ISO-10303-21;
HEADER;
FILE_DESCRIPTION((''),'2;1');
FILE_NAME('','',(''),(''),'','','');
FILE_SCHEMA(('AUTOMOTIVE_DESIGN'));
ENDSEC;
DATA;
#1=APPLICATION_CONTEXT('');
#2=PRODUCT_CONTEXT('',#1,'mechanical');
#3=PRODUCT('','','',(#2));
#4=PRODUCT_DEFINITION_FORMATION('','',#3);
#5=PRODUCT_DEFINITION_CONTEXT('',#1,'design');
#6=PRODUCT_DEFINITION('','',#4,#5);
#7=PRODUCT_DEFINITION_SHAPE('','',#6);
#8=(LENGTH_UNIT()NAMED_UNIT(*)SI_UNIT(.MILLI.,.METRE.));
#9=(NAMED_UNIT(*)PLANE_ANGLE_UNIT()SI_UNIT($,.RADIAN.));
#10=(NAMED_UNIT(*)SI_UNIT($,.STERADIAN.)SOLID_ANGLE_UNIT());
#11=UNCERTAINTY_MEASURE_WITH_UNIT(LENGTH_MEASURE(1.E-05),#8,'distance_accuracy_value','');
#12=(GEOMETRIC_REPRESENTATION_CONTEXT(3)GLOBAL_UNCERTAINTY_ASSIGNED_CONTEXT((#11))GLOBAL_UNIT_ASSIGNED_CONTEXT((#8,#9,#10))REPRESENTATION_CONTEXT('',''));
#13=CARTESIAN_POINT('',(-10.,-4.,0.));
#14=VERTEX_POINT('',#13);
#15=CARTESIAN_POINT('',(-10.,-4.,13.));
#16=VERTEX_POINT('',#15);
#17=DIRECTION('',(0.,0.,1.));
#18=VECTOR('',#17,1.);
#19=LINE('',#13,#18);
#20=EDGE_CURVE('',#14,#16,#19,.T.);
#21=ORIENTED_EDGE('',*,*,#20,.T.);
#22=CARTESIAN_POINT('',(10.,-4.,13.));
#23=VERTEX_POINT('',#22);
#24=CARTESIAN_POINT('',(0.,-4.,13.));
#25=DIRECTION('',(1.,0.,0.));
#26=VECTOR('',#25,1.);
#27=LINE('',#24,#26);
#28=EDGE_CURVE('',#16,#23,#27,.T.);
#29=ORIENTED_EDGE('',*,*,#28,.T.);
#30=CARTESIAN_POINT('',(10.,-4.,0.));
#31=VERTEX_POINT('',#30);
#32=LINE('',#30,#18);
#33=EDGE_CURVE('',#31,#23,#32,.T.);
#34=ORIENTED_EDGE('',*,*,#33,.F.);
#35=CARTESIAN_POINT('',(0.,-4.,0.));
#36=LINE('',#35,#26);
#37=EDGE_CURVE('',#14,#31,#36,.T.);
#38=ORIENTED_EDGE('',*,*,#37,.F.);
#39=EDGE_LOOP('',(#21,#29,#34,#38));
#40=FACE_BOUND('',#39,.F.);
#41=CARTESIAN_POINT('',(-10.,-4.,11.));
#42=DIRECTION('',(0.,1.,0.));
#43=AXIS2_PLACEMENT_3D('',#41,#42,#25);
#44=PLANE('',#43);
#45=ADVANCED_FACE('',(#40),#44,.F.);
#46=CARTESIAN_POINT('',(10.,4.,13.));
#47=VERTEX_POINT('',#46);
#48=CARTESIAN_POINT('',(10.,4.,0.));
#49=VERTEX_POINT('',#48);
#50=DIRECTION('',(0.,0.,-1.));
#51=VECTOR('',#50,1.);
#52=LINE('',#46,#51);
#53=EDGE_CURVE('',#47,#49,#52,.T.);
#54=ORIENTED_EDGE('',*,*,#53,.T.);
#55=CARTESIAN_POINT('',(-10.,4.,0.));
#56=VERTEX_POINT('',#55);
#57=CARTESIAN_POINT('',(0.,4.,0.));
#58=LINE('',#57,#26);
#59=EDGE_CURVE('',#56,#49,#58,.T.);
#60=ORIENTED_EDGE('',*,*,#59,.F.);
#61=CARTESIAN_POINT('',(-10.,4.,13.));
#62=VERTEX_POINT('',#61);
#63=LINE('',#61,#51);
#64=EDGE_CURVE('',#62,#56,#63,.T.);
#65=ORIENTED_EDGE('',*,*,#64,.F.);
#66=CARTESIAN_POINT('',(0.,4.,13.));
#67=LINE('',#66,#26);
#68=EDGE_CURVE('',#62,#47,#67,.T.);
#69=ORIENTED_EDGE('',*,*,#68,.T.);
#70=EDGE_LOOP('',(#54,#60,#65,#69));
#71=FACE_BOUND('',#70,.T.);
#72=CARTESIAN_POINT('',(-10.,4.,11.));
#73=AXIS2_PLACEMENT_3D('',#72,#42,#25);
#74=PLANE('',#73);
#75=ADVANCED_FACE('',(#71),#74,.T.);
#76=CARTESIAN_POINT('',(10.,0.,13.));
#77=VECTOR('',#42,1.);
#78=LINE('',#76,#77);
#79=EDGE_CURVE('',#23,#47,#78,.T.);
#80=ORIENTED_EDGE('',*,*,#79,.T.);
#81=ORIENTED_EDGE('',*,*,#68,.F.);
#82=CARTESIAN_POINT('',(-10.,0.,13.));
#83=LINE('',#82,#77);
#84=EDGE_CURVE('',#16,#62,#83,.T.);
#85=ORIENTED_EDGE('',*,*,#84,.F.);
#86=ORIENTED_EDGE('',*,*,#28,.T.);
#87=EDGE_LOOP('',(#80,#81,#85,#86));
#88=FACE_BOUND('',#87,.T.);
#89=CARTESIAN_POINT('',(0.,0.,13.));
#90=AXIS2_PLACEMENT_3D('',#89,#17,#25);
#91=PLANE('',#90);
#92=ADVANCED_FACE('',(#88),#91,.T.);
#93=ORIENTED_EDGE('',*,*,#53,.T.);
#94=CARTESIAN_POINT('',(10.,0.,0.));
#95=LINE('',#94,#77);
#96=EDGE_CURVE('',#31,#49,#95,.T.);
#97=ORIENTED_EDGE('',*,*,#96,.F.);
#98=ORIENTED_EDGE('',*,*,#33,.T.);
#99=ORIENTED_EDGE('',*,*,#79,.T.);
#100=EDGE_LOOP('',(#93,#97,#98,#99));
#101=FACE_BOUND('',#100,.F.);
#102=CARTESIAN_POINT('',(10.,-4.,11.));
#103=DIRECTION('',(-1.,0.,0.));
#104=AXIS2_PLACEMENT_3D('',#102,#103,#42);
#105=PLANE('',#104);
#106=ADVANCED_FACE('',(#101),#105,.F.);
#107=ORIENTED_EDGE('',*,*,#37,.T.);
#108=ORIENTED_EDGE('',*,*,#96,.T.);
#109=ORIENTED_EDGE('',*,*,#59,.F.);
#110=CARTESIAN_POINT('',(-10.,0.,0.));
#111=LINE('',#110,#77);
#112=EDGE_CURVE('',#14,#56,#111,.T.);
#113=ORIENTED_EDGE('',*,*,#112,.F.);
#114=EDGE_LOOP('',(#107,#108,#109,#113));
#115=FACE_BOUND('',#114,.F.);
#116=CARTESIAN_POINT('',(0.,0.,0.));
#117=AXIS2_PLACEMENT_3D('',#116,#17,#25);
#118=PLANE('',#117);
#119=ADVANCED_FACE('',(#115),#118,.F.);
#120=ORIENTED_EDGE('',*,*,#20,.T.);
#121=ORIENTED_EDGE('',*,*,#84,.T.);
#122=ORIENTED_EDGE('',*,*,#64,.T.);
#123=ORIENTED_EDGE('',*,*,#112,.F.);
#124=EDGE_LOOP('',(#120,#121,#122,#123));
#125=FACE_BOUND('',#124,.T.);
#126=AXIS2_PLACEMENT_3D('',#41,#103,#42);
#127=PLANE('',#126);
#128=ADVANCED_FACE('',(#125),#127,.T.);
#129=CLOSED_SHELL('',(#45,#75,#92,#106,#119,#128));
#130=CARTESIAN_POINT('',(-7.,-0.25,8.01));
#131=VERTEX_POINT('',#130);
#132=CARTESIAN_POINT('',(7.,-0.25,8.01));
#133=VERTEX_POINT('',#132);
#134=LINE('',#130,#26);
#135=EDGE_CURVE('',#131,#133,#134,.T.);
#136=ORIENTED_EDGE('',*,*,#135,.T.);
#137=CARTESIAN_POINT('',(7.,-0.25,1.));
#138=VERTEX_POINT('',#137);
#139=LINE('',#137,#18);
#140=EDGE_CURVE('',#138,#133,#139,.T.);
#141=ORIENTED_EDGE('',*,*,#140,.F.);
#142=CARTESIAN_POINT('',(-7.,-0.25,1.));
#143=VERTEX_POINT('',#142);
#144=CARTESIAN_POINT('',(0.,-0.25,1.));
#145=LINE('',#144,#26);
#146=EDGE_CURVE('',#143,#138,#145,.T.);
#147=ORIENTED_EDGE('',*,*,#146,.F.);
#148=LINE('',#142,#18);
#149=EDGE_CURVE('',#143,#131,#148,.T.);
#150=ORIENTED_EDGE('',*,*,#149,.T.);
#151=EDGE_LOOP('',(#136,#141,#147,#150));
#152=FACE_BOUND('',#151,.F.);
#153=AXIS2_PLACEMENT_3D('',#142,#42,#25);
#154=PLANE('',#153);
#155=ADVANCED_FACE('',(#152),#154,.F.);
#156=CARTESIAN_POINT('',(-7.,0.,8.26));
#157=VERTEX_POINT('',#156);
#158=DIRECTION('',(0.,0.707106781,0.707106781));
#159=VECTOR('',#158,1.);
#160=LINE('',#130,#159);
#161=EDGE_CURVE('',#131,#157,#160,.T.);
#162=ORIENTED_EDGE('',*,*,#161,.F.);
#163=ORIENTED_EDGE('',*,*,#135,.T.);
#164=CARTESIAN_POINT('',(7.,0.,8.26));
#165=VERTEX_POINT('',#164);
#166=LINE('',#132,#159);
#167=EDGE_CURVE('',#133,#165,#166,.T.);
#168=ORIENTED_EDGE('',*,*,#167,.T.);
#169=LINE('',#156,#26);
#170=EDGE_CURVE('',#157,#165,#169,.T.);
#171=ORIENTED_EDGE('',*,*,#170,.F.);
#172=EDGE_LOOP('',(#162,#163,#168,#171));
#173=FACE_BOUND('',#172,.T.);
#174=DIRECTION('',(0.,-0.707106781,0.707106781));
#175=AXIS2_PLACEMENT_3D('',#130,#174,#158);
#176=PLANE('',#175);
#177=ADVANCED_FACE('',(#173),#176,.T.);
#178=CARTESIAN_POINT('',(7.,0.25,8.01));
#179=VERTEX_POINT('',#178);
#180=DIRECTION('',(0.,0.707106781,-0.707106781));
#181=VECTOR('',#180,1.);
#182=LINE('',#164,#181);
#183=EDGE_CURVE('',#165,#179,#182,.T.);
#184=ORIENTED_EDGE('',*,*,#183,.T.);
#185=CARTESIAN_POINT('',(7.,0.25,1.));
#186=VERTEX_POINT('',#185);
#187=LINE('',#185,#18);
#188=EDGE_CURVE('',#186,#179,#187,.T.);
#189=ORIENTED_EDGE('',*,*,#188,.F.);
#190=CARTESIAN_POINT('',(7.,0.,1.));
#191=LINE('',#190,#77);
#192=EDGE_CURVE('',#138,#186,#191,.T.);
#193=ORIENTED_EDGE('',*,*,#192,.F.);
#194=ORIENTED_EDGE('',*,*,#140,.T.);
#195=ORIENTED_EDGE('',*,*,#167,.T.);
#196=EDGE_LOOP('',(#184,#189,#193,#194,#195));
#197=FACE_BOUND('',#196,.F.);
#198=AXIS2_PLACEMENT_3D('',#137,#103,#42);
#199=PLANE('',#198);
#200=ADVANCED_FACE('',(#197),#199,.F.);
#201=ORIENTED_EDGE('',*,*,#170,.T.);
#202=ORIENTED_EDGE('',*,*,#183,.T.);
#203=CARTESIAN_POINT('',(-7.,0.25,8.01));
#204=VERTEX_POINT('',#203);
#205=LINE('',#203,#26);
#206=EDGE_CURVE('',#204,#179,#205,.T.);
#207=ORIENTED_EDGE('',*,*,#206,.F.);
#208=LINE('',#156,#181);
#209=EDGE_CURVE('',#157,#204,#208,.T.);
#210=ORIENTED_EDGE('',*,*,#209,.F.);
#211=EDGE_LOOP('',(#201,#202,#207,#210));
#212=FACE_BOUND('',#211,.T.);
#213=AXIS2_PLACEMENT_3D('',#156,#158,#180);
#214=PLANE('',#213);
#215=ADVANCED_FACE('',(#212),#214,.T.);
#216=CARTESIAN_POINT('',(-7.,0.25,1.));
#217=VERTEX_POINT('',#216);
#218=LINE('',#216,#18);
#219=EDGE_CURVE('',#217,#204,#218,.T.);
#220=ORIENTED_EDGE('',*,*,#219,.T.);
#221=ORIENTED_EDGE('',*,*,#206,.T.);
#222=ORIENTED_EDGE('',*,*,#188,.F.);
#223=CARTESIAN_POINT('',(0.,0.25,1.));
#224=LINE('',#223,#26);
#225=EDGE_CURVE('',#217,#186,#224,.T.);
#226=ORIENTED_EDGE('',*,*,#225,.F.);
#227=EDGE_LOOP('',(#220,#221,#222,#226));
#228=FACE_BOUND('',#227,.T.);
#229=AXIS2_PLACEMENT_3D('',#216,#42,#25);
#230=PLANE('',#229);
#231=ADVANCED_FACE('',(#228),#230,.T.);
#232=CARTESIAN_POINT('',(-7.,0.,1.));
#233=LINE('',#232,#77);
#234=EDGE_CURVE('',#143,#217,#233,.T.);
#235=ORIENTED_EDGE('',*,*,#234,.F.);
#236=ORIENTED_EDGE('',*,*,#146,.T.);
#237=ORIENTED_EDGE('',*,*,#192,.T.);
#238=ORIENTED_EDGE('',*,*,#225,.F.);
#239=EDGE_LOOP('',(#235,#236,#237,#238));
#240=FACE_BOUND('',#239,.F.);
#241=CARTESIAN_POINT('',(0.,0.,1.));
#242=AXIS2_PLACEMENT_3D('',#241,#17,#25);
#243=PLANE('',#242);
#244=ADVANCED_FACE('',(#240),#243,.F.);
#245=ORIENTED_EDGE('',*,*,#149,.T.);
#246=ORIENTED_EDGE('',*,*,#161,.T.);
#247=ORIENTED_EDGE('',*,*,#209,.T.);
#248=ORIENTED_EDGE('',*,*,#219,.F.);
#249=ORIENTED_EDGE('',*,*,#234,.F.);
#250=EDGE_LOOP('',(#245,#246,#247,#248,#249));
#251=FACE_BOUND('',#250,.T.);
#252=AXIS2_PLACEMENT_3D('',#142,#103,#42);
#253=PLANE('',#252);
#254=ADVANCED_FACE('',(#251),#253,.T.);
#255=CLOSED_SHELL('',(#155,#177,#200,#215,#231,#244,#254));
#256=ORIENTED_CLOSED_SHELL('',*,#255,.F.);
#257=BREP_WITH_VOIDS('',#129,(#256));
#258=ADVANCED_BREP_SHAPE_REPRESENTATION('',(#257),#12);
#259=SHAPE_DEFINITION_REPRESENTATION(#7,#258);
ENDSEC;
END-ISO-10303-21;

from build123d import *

# Parameters (mm, degrees)
F0_W     = 20
F0_H     = 8
F1_DEPTH = 1
F2_W     = 20
F2_H     = 8
F2_W_2   = 14
F2_H_2   = 0.5
F3_DEPTH = 10
F6_DEPTH = 14
F7_W     = 20
F7_H     = 8
F8_DEPTH = 2


with BuildPart() as f1:
    # F0 (on Top) → F1 (new body)
    with BuildSketch(Plane.XY):
        Rectangle(F0_W, F0_H)
    extrude(amount=F1_DEPTH)

    # F2 (on face) → F3 (join)
    with BuildSketch(Plane.XY.offset(1)):
        Rectangle(F2_W, F2_H)
        Rectangle(F2_W_2, F2_H_2, mode=Mode.SUBTRACT)
    extrude(amount=F3_DEPTH)

    # F5 (on face) → F6 (join, through all)
    with BuildSketch(Plane.YZ.offset(-7)):
        Polygon((0, 8.26), (0.25, 8.01), (0.25, 8.51), align=None)
        Polygon((-0.25, 8.01), (0, 8.26), (-0.25, 8.51), align=None)
        Polygon((-0.25, 8.51), (0, 8.26), (0.25, 8.51), (0.25, 11), (-0.25, 11), align=None)
        Polygon((0.25, 11), (0.25, 8.51), (2.74, 11), align=None)
        Polygon((-2.74, 11), (-0.25, 8.51), (-0.25, 11), align=None)
    extrude(amount=F6_DEPTH)

    # F7 (on face) → F8 (join)
    with BuildSketch(Plane.XY.offset(11)):
        Rectangle(F7_W, F7_H)
    extrude(amount=F8_DEPTH)


solid = f1.part
